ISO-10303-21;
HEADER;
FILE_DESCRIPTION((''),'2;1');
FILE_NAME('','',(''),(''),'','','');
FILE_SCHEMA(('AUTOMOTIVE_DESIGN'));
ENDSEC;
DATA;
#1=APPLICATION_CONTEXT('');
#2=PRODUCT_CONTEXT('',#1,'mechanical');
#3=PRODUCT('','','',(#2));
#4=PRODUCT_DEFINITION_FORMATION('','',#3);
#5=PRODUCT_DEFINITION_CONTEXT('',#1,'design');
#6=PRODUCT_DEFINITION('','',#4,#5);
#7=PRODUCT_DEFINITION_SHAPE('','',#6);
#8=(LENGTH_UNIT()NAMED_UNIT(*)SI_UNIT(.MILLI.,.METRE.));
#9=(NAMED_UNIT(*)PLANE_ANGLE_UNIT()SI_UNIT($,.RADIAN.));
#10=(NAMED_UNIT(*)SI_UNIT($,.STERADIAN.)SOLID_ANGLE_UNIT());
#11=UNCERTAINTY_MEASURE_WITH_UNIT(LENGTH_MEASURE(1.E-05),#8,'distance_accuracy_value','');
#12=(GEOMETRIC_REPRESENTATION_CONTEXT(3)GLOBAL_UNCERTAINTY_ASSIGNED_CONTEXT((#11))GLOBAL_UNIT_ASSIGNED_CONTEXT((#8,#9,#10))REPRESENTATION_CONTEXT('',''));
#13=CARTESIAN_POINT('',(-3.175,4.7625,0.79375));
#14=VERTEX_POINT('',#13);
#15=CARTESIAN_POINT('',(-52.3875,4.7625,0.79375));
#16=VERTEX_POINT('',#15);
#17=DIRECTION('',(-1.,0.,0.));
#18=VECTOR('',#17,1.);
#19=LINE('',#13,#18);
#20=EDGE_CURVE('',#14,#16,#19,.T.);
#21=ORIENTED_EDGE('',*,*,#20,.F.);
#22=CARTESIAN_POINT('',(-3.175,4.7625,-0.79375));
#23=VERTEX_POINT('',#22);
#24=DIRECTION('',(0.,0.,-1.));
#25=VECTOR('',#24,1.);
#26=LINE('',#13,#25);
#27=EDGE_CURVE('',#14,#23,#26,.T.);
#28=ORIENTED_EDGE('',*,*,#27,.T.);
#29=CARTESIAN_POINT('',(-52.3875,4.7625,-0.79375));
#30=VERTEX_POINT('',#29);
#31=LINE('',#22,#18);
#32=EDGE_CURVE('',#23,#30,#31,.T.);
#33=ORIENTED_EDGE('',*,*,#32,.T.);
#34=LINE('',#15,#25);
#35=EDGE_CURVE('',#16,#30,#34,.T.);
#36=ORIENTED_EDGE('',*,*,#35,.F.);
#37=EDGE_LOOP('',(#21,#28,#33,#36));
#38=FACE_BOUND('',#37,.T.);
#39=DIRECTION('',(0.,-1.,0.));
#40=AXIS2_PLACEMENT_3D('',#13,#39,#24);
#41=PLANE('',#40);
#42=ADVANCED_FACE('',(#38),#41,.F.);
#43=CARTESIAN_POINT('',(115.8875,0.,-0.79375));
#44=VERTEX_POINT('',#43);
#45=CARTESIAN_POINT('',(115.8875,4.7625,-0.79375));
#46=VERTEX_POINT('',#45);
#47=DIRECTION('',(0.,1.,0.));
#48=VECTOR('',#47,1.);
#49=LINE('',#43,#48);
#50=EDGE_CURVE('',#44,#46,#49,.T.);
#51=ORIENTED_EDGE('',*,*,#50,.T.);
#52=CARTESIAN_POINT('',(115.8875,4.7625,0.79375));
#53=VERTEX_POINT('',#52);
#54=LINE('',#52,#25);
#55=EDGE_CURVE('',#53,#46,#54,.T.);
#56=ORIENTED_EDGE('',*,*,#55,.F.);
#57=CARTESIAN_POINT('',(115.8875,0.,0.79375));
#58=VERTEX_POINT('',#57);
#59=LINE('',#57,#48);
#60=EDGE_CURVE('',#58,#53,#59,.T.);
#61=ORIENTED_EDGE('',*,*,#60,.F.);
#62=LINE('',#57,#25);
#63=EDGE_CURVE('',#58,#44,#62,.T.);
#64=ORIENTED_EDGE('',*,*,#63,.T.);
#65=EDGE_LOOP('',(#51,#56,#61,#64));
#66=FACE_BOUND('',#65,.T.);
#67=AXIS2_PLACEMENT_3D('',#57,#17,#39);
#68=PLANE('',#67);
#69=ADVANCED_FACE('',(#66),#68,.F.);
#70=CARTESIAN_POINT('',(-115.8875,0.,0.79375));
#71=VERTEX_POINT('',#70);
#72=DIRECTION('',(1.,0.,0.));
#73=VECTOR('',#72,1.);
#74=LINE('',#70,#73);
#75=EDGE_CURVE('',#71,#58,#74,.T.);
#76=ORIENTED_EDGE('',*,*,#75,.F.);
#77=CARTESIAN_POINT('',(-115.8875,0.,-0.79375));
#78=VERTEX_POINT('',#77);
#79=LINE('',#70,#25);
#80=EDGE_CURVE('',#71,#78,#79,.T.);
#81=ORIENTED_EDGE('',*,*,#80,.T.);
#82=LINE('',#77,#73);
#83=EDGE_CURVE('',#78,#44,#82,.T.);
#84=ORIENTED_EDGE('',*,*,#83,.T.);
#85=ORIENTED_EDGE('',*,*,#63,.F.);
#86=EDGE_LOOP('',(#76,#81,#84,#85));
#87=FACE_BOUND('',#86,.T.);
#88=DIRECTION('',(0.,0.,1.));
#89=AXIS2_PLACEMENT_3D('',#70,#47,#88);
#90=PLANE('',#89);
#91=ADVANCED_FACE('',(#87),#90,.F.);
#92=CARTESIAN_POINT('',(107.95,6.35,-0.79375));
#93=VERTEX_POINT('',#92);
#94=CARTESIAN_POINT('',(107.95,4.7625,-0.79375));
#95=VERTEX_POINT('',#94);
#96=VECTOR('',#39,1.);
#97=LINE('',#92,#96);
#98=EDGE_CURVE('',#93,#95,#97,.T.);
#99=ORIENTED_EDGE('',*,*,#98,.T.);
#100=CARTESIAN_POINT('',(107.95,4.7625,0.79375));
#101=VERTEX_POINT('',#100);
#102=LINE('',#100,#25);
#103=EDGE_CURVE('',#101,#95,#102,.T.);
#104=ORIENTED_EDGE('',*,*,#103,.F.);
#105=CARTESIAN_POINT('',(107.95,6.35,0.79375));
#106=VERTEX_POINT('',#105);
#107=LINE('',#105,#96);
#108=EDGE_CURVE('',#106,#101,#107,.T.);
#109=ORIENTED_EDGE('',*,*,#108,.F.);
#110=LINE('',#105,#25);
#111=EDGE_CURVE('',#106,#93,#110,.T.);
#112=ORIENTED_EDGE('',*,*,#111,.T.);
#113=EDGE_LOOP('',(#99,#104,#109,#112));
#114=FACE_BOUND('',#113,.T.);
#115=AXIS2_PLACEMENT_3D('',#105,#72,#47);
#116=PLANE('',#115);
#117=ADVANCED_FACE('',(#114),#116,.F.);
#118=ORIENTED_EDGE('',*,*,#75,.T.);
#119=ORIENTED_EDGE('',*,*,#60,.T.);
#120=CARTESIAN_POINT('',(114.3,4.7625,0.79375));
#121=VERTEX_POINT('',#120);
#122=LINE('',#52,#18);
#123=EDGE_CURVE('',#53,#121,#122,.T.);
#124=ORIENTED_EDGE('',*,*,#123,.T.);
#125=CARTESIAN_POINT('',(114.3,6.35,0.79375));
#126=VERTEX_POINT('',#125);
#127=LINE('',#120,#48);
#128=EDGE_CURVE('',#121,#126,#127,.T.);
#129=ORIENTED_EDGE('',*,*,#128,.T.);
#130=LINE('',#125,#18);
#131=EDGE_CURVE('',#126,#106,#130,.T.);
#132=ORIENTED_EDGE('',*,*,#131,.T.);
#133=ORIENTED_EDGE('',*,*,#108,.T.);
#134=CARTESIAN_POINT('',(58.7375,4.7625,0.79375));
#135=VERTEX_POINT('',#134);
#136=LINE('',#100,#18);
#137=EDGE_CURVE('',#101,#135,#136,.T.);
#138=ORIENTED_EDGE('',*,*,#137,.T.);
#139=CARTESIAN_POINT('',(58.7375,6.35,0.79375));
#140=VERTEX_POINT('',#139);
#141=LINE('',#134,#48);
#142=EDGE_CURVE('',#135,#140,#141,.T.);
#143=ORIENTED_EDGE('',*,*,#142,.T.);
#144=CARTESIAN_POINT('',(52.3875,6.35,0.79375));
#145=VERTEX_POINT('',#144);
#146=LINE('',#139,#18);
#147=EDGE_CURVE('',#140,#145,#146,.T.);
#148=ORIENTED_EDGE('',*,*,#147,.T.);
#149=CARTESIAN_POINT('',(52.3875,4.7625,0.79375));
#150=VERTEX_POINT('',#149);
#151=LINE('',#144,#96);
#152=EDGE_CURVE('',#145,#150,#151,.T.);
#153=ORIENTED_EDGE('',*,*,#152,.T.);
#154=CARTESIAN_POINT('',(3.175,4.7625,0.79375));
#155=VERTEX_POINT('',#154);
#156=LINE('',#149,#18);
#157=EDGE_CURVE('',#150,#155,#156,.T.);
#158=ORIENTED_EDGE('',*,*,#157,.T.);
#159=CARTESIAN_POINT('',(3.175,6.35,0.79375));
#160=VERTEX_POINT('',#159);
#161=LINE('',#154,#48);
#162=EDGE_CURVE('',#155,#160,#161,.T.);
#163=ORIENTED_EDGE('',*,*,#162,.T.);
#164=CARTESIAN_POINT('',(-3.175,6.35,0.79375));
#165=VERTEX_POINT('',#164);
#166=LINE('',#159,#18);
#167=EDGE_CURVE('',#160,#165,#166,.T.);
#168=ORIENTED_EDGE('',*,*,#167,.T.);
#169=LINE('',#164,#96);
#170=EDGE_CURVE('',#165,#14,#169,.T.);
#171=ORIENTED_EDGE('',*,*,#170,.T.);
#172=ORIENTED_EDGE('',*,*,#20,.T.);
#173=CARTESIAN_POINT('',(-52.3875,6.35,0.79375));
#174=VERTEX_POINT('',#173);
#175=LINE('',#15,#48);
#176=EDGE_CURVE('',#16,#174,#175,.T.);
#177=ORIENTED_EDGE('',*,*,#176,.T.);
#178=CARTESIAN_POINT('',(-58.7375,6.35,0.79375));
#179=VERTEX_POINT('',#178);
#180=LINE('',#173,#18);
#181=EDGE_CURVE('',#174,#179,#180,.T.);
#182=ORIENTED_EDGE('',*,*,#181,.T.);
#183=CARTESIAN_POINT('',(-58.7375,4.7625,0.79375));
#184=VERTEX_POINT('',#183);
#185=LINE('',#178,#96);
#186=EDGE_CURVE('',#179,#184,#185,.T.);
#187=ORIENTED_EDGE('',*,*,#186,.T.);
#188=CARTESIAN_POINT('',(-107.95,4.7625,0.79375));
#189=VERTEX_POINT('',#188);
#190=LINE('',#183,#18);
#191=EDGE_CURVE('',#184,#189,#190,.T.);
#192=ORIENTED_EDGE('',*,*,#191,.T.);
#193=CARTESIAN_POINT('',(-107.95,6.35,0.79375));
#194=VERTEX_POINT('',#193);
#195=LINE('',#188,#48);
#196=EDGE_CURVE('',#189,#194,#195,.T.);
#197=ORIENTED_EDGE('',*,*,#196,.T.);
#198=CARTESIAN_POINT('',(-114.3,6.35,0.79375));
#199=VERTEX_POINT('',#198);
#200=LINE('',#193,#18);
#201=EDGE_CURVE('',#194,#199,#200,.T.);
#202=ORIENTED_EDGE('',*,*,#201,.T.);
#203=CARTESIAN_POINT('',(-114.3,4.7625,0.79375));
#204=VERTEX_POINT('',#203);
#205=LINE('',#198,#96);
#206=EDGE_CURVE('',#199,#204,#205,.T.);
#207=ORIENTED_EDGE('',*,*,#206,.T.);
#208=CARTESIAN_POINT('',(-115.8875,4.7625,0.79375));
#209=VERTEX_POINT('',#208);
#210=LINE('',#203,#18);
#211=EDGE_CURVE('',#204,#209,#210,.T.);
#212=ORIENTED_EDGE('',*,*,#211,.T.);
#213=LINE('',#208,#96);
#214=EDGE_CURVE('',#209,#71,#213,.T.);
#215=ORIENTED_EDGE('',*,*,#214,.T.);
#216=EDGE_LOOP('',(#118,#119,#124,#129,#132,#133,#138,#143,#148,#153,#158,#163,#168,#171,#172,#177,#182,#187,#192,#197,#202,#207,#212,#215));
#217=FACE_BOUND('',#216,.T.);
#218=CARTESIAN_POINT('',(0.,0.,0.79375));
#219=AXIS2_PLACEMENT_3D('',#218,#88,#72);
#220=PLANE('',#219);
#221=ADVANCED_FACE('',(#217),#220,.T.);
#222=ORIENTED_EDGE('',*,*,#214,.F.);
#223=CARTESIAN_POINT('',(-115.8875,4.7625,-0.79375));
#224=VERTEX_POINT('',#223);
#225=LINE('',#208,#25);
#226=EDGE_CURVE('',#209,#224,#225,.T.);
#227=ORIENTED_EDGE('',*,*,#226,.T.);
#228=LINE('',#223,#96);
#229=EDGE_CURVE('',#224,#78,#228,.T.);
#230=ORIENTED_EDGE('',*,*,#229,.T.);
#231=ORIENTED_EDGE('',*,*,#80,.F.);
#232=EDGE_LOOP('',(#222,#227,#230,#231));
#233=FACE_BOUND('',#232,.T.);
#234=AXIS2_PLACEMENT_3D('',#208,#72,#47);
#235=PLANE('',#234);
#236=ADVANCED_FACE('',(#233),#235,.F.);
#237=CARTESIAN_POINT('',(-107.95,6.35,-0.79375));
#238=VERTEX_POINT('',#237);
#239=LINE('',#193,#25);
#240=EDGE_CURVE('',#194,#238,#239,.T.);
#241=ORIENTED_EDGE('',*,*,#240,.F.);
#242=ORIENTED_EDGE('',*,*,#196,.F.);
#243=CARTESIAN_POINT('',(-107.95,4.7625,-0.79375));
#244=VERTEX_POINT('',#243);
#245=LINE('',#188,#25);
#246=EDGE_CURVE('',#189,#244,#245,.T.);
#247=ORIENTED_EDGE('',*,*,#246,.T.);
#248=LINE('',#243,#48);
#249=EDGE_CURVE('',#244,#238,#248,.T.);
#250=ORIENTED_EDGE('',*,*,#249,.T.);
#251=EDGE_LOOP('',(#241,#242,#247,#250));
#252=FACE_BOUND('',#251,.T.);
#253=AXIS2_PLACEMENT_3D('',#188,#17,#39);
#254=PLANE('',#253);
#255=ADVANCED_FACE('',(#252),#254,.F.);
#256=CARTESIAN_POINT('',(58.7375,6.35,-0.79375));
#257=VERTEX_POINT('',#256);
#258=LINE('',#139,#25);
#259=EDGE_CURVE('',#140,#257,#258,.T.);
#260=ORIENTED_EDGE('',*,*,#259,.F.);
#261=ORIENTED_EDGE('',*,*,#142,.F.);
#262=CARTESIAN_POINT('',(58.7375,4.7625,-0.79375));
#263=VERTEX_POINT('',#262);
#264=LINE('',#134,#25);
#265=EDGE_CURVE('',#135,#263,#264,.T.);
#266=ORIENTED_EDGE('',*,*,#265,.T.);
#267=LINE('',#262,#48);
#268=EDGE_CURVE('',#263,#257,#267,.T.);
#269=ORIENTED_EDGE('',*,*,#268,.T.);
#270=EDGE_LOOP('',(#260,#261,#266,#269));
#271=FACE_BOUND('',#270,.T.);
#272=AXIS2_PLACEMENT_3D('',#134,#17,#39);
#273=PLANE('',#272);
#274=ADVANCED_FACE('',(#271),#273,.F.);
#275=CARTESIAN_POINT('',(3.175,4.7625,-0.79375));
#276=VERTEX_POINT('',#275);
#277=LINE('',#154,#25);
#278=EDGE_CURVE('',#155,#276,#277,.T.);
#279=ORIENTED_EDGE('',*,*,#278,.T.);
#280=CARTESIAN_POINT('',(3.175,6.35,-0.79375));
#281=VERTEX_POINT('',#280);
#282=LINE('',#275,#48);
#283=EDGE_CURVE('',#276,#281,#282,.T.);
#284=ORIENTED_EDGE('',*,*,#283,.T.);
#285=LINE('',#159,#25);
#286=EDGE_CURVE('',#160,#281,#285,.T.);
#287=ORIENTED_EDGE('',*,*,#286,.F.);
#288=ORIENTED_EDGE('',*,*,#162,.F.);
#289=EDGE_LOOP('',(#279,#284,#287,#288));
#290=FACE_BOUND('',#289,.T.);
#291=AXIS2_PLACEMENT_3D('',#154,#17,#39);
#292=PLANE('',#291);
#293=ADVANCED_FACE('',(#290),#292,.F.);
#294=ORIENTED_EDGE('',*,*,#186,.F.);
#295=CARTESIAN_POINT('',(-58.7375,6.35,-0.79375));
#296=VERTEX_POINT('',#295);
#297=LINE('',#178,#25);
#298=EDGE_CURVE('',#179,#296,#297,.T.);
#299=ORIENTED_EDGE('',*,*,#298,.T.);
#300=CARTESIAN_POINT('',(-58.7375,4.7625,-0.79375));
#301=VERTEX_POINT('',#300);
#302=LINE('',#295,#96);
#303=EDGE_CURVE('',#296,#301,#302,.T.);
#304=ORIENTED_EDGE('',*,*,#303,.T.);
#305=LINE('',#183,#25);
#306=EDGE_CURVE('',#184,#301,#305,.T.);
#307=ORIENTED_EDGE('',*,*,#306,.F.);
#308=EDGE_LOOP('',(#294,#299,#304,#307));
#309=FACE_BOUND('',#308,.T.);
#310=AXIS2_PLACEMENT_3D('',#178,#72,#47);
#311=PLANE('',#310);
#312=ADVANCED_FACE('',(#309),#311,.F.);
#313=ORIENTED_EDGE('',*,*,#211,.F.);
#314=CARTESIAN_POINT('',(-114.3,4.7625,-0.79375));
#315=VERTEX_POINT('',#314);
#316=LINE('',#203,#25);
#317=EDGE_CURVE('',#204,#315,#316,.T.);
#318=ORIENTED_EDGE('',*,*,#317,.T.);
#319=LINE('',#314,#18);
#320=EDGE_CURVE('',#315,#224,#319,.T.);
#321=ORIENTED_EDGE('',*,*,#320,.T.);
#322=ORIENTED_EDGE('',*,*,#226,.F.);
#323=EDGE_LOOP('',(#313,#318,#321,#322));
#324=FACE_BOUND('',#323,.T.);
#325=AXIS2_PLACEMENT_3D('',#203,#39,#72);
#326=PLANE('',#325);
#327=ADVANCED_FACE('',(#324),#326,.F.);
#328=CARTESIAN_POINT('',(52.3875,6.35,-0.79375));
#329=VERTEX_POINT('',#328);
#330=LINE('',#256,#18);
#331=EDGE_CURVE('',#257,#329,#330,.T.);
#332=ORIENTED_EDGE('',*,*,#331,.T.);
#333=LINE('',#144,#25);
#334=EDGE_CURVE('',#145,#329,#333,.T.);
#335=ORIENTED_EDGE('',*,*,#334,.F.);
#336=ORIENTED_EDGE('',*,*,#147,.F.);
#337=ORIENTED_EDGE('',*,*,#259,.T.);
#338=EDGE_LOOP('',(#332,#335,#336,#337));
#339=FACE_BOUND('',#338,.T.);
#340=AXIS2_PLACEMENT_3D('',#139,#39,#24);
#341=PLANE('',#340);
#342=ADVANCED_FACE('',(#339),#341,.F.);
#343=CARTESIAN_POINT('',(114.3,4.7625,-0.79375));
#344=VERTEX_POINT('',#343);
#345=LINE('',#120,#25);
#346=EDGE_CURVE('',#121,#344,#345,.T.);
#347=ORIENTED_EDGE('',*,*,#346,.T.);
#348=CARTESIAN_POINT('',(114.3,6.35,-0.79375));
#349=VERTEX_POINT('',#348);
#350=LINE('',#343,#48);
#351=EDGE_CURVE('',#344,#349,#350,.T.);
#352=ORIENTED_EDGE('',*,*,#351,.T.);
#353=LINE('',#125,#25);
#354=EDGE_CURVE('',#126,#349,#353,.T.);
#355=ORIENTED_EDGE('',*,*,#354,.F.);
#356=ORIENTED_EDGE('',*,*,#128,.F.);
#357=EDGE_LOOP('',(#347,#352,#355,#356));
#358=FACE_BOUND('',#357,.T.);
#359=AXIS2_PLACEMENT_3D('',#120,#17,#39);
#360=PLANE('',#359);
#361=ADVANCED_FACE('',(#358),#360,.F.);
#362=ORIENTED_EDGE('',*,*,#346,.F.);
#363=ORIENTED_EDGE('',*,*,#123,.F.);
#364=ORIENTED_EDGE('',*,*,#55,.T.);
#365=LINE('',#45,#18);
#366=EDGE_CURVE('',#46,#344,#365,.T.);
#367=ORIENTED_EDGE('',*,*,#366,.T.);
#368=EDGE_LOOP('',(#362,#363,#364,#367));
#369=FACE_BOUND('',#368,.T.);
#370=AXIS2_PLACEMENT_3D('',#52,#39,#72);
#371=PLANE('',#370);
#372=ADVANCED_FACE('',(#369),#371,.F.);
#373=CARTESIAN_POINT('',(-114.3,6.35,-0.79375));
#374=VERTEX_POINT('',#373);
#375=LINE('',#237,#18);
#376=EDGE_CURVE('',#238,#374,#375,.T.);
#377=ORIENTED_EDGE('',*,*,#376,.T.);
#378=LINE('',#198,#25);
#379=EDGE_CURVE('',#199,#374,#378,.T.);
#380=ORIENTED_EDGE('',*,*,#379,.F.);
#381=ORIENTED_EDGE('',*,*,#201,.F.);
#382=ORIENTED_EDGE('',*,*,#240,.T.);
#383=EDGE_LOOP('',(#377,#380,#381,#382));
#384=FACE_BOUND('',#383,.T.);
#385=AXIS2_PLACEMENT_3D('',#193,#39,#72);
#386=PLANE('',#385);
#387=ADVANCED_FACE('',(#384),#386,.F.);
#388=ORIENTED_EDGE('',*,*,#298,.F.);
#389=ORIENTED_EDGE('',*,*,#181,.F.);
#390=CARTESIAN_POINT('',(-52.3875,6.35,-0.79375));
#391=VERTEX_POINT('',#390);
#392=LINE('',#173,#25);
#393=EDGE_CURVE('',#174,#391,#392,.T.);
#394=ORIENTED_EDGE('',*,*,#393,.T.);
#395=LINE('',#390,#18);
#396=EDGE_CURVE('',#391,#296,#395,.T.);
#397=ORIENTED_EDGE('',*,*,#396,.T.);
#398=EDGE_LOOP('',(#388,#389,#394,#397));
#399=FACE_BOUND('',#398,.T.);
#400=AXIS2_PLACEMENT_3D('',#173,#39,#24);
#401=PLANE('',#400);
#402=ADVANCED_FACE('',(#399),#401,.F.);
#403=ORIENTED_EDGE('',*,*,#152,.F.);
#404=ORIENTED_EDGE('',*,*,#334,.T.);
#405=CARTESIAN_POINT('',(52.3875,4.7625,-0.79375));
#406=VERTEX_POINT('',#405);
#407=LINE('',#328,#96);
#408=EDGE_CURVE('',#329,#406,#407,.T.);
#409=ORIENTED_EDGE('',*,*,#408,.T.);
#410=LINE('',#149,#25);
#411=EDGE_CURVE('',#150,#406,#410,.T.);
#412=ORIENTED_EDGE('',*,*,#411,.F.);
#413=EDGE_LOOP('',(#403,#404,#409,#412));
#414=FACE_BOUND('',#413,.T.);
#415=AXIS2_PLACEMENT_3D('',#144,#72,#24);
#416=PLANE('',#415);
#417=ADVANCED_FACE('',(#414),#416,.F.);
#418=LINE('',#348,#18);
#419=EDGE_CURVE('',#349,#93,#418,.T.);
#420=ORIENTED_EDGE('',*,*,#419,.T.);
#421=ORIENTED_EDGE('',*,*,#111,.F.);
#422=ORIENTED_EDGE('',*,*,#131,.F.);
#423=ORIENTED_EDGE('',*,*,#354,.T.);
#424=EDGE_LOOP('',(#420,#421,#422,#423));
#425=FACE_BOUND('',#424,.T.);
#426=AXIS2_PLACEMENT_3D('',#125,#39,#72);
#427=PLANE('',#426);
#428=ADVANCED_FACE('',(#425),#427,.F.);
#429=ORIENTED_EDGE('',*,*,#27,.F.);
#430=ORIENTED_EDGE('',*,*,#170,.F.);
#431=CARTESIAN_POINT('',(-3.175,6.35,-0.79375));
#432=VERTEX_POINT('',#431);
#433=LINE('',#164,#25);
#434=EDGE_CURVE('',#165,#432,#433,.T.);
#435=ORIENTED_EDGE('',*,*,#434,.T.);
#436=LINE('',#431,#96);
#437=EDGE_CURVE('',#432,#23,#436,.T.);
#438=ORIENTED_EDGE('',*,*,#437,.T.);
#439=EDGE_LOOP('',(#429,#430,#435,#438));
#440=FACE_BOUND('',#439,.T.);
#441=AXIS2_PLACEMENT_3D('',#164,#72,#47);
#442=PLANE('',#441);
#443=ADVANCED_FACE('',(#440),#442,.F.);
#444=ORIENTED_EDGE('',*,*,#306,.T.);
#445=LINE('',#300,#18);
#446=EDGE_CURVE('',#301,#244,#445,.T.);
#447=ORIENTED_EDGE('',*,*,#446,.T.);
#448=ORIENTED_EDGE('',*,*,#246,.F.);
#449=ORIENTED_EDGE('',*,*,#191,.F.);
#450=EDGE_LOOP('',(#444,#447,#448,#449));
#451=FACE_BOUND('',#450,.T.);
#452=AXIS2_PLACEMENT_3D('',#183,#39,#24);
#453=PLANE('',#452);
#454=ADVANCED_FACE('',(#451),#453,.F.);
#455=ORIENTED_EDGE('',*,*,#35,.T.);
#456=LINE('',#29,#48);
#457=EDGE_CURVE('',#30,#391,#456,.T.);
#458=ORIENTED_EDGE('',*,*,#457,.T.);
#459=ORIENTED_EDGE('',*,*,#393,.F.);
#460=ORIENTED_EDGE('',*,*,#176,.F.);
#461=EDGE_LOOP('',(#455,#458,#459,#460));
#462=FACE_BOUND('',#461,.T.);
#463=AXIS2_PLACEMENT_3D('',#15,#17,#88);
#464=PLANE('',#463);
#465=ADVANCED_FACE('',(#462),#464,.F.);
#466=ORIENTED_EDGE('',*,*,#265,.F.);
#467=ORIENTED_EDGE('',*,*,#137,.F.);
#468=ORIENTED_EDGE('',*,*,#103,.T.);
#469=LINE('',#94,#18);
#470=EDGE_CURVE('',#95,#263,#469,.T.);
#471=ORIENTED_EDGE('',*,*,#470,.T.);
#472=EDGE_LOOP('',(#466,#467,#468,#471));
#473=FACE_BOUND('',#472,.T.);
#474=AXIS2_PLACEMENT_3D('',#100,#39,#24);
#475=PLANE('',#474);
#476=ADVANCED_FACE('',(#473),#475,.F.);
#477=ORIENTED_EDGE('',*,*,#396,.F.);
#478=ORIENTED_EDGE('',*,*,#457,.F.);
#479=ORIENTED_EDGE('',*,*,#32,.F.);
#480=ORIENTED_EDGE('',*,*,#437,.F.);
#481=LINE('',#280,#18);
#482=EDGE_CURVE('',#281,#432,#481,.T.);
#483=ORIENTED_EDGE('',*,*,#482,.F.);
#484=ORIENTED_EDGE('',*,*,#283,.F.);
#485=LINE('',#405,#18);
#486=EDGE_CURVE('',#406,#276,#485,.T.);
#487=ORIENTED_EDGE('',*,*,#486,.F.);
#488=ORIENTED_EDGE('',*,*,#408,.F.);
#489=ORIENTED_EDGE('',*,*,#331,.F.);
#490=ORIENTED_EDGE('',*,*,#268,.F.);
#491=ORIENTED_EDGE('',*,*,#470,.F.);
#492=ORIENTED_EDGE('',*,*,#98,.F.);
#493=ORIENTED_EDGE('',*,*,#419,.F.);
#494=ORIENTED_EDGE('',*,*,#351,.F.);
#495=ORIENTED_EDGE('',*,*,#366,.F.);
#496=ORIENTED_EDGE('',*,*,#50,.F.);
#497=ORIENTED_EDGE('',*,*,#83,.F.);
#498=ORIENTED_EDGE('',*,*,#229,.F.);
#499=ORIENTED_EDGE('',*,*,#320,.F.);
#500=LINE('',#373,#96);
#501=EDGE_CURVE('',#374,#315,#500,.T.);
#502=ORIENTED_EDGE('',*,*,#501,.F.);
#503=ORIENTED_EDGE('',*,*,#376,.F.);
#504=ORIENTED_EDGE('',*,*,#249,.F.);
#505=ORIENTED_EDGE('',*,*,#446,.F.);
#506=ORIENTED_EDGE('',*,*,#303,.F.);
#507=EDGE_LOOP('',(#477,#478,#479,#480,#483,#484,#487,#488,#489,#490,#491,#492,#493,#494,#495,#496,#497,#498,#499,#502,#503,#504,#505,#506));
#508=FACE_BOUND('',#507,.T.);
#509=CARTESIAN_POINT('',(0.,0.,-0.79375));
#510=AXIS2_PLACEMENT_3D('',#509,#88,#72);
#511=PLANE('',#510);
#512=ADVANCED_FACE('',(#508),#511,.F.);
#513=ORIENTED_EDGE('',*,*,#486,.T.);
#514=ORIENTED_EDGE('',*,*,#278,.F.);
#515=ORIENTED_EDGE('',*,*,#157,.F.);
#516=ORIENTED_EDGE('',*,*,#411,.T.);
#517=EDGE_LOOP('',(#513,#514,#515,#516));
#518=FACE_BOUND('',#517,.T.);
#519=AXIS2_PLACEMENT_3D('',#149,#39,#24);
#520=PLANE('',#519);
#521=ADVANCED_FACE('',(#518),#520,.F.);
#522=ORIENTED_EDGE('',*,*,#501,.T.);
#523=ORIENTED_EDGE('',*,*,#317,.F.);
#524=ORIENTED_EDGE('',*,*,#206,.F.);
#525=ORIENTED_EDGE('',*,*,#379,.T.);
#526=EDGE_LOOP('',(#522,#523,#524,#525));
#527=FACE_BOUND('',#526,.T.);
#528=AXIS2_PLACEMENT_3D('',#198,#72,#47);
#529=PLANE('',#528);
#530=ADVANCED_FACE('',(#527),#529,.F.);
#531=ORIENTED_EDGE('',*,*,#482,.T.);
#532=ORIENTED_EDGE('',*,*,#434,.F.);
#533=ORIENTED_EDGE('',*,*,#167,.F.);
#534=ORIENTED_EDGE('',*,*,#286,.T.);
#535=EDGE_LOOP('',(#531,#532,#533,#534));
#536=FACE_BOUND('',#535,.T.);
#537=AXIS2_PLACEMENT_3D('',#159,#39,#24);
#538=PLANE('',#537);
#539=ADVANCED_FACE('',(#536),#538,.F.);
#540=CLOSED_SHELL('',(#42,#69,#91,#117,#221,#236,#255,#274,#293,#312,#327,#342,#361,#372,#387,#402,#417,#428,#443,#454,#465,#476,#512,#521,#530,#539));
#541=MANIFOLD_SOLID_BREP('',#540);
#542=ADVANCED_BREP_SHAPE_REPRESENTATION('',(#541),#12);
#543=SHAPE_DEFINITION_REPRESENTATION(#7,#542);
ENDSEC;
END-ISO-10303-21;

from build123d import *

# Parameters (mm, degrees)
BOSS_EXTRUDE1_DEPTH = 0.79375


with BuildPart() as part:
    # Sketch1 → Boss-Extrude1 (new, symmetric)
    with BuildSketch(Plane.XY):
        Polygon((-115.8875, 0), (115.8875, 0), (115.8875, 4.7625), (114.3, 4.7625), (114.3, 6.35), (107.95, 6.35), (107.95, 4.7625), (58.7375, 4.7625), (58.7375, 6.35), (52.3875, 6.35), (52.3875, 4.7625), (3.175, 4.7625), (3.175, 6.35), (-3.175, 6.35), (-3.175, 4.7625), (-52.3875, 4.7625), (-52.3875, 6.35), (-58.7375, 6.35), (-58.7375, 4.7625), (-107.95, 4.7625), (-107.95, 6.35), (-114.3, 6.35), (-114.3, 4.7625), (-115.8875, 4.7625), align=None)
    extrude(amount=BOSS_EXTRUDE1_DEPTH, both=True)


solid = part.part
